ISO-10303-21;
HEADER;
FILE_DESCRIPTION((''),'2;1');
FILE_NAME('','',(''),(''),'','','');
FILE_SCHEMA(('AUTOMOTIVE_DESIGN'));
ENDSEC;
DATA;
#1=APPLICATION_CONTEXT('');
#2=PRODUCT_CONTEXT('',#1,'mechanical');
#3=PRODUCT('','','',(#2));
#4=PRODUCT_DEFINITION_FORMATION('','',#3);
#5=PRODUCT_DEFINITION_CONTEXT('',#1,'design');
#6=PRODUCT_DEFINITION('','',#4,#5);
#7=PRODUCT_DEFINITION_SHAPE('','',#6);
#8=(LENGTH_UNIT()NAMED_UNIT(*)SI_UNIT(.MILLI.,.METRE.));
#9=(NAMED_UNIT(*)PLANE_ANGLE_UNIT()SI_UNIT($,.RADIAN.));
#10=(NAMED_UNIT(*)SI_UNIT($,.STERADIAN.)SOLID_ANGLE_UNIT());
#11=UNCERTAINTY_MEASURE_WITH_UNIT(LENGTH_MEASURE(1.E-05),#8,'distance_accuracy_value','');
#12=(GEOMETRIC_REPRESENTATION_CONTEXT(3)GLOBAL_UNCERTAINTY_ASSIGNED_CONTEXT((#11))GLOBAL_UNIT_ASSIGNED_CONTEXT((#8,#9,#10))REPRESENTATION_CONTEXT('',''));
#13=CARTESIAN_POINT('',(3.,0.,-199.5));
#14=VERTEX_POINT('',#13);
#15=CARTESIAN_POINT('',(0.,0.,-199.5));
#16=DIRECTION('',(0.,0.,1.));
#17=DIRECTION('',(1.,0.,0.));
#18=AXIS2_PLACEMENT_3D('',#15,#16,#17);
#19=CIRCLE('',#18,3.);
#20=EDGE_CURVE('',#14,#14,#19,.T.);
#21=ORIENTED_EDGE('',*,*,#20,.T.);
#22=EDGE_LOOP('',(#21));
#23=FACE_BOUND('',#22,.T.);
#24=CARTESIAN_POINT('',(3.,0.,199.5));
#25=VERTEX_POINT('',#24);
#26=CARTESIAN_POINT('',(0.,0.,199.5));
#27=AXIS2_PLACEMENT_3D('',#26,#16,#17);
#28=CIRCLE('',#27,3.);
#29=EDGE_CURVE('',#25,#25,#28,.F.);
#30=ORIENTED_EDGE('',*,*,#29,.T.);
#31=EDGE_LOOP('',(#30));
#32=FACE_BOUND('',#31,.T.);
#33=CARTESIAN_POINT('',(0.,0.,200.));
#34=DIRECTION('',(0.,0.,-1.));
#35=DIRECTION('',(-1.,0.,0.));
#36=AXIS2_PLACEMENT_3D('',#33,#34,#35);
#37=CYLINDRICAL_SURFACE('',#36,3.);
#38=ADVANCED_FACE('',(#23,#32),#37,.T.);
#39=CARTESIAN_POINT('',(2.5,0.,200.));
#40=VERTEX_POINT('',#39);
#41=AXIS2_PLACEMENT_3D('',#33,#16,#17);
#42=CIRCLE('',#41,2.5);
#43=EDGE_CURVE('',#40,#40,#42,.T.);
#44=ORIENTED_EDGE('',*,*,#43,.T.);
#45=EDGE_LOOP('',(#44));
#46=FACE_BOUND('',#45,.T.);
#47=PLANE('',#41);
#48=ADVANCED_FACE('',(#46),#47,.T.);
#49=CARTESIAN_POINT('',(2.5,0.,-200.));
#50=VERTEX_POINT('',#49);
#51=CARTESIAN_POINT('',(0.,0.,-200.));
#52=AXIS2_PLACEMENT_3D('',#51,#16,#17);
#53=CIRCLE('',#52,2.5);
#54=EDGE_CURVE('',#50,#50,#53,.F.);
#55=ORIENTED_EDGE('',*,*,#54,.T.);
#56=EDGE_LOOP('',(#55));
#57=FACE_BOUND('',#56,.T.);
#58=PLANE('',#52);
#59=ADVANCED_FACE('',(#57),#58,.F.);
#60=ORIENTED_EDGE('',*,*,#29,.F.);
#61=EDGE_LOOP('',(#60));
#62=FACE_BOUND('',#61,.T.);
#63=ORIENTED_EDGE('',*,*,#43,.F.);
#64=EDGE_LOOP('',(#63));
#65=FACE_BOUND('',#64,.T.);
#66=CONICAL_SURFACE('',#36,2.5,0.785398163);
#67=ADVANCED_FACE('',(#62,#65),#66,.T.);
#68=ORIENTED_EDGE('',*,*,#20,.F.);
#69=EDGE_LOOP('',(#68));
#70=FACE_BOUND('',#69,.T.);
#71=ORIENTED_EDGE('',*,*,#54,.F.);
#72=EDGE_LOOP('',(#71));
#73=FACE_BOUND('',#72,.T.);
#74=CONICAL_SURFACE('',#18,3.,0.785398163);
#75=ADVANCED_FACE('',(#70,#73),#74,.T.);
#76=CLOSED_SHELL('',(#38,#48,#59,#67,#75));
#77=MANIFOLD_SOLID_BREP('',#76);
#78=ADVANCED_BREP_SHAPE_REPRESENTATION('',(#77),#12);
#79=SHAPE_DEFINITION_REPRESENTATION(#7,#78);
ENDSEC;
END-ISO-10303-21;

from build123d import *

# Parameters (mm, degrees)
SKETCH_1_R      = 3
EXTRUDE_1_DEPTH = 200
CHAMFER_1_SIZE  = 0.5


with BuildPart() as part:
    # 草图1 → 凸台-拉伸1 (new, symmetric)
    with BuildSketch(Plane.XY):
        Circle(SKETCH_1_R)
    extrude(amount=EXTRUDE_1_DEPTH, both=True)

    # 倒角1
    chamfer_1_edges = [part.edges().sort_by_distance(p)[0] for p in [
        (-3, 0, -200),
        (-3, 0, 200),
    ]]
    chamfer(chamfer_1_edges, length=CHAMFER_1_SIZE)


solid = part.part
